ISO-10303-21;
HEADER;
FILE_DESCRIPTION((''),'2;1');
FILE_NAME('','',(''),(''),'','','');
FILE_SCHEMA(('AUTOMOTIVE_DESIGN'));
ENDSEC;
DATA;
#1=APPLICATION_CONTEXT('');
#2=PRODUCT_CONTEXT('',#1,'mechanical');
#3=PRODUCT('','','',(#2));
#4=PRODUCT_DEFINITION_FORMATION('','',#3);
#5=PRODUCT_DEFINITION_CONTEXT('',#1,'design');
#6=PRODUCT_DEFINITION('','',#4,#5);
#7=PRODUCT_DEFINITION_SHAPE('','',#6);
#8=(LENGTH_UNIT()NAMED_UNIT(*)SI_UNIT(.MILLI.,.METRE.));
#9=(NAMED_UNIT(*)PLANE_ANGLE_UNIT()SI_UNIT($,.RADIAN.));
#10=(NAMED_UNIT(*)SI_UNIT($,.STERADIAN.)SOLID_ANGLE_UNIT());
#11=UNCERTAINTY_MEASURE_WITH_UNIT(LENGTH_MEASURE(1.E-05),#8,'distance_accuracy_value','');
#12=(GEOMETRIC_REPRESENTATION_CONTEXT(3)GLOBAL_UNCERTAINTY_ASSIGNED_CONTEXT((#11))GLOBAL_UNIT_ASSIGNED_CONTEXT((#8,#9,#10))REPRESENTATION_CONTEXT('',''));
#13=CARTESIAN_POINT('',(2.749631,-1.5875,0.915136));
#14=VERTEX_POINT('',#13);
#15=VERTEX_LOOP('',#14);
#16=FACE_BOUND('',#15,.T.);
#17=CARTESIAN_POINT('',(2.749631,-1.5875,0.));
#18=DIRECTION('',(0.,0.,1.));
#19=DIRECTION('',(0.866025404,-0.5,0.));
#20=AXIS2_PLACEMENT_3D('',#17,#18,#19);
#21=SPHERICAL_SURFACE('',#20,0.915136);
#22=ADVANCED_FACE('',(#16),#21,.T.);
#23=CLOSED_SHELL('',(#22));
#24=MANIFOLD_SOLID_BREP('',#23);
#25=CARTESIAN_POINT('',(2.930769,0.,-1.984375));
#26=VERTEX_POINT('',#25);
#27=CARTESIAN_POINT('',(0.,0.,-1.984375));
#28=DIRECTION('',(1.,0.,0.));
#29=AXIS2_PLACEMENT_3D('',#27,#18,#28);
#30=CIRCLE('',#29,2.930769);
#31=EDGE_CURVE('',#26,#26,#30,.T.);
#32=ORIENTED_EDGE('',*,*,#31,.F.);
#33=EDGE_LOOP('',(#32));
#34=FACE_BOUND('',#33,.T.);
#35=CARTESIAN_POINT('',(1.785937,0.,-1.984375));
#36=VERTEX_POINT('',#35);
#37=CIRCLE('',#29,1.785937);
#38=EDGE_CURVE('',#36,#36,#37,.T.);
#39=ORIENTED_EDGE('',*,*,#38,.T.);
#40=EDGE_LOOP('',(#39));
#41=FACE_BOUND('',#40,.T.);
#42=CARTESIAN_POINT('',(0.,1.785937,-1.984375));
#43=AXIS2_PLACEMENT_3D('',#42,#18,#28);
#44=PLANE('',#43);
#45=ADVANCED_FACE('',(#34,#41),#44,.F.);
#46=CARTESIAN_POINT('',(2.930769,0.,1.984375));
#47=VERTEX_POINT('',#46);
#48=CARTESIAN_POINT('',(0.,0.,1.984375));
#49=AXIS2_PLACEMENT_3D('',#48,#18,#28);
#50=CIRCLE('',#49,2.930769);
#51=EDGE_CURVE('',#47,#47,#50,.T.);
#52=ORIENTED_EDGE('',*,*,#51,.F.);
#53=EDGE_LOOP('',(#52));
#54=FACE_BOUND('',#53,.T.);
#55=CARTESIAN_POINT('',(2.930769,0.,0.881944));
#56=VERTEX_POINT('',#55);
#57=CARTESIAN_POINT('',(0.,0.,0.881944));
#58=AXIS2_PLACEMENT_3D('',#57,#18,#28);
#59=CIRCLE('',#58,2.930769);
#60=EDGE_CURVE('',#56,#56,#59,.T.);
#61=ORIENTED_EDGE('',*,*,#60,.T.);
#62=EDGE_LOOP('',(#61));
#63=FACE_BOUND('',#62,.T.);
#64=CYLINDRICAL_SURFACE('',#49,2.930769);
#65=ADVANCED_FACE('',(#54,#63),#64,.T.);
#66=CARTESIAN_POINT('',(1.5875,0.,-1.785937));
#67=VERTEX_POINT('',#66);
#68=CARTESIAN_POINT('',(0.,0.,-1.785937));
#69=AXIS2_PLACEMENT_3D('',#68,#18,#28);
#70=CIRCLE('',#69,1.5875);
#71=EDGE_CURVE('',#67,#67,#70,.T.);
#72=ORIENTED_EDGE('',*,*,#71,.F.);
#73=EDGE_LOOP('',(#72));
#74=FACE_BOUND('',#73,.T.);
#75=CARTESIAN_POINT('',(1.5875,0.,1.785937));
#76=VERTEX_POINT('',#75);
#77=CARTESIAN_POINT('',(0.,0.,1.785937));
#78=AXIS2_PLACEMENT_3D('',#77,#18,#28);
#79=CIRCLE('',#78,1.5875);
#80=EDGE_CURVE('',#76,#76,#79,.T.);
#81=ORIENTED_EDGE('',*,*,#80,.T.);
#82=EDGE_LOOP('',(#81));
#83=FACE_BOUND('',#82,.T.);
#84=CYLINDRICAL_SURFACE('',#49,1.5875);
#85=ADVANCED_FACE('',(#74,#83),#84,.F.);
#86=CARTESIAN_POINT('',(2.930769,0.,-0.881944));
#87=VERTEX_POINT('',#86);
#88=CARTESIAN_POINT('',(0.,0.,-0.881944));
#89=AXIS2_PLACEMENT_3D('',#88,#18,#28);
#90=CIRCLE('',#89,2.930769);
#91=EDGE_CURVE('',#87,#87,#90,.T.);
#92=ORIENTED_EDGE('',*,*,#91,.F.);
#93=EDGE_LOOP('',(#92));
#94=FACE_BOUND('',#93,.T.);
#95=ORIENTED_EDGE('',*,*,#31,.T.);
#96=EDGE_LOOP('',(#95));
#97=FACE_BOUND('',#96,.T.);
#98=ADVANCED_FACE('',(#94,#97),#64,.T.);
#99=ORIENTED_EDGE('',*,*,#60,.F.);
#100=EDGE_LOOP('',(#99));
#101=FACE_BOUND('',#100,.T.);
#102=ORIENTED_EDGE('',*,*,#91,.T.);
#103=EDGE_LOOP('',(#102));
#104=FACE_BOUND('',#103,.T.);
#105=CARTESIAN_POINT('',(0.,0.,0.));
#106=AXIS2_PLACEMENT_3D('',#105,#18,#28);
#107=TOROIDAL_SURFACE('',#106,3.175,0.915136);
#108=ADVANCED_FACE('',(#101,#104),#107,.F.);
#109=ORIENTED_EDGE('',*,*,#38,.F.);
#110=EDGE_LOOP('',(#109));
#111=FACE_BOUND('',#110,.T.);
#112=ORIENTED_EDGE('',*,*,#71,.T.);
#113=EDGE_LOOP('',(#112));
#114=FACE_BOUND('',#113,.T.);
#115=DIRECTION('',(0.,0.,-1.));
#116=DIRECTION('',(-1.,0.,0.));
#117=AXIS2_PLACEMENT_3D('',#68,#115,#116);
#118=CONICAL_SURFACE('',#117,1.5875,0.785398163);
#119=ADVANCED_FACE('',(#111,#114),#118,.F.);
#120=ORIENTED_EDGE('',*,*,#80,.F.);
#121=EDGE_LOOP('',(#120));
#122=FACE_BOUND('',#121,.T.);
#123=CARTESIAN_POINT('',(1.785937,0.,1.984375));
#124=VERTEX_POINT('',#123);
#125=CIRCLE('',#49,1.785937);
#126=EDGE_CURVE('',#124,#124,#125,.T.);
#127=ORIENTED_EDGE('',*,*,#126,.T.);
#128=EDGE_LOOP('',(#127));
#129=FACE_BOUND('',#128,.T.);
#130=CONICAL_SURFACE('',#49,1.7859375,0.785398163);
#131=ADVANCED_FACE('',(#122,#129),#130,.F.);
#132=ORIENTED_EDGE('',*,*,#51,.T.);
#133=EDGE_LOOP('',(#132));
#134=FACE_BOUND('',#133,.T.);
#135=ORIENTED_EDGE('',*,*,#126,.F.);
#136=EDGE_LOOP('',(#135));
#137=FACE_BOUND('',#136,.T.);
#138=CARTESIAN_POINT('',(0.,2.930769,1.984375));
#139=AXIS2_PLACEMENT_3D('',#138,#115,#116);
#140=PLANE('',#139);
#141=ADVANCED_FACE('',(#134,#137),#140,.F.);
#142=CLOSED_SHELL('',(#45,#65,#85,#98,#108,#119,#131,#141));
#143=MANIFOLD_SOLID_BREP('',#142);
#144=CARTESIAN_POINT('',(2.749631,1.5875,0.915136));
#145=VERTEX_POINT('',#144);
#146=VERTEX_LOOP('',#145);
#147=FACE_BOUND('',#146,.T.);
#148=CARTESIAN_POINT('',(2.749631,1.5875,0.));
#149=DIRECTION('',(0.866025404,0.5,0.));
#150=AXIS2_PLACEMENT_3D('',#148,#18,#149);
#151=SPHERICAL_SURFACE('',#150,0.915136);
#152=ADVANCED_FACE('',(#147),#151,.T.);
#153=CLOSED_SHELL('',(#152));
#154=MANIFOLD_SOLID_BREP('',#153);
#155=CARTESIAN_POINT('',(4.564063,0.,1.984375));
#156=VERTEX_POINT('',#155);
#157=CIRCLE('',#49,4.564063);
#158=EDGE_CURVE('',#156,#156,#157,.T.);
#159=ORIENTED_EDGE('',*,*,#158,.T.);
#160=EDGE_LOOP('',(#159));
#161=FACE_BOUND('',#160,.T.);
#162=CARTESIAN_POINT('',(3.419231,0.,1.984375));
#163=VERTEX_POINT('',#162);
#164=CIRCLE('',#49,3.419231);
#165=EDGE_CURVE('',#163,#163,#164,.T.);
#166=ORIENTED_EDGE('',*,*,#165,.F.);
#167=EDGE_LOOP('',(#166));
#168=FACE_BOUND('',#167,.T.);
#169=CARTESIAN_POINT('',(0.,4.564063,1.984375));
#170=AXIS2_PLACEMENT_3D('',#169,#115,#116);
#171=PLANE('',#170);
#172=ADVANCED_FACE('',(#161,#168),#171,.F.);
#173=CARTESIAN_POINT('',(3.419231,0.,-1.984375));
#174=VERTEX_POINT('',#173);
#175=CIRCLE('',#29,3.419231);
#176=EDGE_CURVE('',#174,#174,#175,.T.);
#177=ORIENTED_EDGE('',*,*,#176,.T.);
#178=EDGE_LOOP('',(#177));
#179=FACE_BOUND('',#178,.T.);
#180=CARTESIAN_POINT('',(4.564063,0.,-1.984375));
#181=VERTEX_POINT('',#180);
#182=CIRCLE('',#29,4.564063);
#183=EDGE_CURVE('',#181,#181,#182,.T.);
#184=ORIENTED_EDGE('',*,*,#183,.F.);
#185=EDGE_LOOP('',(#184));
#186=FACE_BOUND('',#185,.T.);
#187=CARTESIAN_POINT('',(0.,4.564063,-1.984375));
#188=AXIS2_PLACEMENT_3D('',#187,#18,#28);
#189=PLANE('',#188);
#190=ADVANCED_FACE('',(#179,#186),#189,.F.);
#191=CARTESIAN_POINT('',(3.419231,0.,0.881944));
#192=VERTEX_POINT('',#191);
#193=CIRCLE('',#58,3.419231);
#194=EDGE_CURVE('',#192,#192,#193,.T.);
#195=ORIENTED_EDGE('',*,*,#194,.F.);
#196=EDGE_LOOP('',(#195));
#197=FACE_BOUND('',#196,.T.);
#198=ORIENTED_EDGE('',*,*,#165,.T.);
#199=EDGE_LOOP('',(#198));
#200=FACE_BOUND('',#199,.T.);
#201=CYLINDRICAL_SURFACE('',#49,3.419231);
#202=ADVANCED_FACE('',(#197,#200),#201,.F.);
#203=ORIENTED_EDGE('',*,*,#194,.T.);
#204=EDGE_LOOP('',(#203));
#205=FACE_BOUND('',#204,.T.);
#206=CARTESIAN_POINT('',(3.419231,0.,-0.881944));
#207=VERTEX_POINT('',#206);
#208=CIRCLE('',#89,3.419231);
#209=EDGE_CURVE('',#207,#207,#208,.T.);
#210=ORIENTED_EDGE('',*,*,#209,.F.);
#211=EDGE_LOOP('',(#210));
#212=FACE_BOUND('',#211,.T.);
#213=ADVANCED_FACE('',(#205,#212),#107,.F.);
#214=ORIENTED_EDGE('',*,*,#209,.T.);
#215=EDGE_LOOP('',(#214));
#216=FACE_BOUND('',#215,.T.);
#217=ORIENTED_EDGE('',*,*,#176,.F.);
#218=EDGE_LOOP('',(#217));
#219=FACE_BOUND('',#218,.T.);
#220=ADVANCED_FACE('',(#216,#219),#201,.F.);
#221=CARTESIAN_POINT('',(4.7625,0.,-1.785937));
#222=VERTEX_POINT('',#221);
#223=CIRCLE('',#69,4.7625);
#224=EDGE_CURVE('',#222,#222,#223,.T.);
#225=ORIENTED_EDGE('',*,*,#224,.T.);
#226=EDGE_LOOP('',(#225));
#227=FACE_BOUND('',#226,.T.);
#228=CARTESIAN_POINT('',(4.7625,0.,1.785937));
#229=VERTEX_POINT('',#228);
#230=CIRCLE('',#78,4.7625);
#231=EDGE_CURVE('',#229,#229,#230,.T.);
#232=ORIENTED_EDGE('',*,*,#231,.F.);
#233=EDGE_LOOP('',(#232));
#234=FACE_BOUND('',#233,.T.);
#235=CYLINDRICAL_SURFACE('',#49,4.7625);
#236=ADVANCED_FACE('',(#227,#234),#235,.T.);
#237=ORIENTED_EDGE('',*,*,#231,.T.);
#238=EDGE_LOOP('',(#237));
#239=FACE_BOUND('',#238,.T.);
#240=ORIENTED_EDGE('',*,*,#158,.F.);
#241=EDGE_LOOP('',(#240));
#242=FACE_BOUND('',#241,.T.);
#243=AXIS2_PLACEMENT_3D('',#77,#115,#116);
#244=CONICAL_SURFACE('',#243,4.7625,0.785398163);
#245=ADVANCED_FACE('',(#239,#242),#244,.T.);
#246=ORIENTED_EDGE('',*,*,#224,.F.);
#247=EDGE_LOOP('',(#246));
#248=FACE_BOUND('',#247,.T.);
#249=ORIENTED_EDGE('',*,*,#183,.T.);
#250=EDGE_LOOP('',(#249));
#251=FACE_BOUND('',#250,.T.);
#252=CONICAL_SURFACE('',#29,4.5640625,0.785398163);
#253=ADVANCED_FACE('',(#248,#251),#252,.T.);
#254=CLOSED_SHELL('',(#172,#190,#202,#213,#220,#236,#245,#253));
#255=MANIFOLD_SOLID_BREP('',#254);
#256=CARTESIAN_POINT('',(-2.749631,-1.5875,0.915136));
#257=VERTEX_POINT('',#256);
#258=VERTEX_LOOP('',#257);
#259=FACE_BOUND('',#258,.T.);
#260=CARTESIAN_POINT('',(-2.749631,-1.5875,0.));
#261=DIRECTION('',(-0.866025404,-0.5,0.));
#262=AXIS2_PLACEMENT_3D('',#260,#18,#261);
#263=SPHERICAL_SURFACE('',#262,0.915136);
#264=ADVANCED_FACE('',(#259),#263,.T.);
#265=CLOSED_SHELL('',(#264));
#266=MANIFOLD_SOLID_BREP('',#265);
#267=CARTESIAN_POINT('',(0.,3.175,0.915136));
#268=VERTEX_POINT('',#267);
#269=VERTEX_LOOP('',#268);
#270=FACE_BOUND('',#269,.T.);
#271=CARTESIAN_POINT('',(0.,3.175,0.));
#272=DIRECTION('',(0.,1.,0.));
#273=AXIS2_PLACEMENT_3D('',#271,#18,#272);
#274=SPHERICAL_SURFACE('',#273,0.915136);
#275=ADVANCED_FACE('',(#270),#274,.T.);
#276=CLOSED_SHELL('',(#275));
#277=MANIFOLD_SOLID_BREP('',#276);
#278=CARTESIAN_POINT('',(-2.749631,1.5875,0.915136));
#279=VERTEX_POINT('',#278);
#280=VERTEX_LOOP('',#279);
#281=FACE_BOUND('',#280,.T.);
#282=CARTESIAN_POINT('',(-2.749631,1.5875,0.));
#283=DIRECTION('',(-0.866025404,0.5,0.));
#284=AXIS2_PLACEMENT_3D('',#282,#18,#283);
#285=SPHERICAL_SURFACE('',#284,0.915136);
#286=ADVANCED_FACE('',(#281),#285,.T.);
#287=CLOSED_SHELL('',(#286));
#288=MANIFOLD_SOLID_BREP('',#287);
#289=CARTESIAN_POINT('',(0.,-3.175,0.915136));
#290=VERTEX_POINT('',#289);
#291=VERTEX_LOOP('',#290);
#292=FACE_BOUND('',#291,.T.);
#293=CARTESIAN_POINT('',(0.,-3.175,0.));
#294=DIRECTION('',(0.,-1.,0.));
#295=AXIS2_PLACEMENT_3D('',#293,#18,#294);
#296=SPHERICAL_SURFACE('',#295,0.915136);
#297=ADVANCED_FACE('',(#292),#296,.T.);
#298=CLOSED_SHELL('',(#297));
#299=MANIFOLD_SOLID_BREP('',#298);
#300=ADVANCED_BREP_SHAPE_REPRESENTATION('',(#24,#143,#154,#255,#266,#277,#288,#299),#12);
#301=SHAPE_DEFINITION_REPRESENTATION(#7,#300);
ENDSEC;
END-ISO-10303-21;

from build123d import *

# Parameters (mm, degrees)
CIRPATTERN1_COUNT = 6


with BuildPart() as part:
    # Sketch1 → Revolve1 (revolve)
    with BuildSketch(Plane(origin=(0, 0, 0), x_dir=(0, 0, -1), z_dir=(1, 0, 0))):
        with BuildLine():
            Line((1.7859375, 4.7625), (-1.7859375, 4.7625))
            Line((-1.7859375, 4.7625), (-1.984375, 4.5640625))
            Line((-1.984375, 4.5640625), (-1.984375, 3.419230769))
            Line((-1.984375, 3.419230769), (-0.881944444, 3.419230769))
            ThreePointArc((-0.881944444, 3.419230769), (0, 4.090136422), (0.881944444, 3.419230769))
            Line((0.881944444, 3.419230769), (1.984375, 3.419230769))
            Line((1.984375, 3.419230769), (1.984375, 4.5640625))
            Line((1.984375, 4.5640625), (1.7859375, 4.7625))
        make_face()
    revolve(axis=Axis((0, 0, 1.984375), (0, 0, -1)))


with BuildPart() as body_2:
    # Sketch3 → Revolve3 (revolve)
    with BuildSketch(Plane(origin=(0, 0, 0), x_dir=(0, 0, -1), z_dir=(1, 0, 0))):
        with BuildLine():
            Line((-1.984375, 2.930769231), (-0.881944444, 2.930769231))
            ThreePointArc((-0.881944444, 2.930769231), (0, 2.259863578), (0.881944444, 2.930769231))
            Line((0.881944444, 2.930769231), (1.984375, 2.930769231))
            Line((1.984375, 2.930769231), (1.984375, 1.7859375))
            Line((1.984375, 1.7859375), (1.7859375, 1.5875))
            Line((1.7859375, 1.5875), (-1.7859375, 1.5875))
            Line((-1.7859375, 1.5875), (-1.984375, 1.7859375))
            Line((-1.984375, 1.7859375), (-1.984375, 2.930769231))
        make_face()
    revolve(axis=Axis((0, 0, 1.984375), (0, 0, -1)))


with BuildPart() as body_3:
    # Sketch4 → Revolve4 (revolve)
    with BuildSketch(Plane(origin=(0, 0, 0), x_dir=(0, 0, -1), z_dir=(1, 0, 0))):
        with BuildLine():
            Line((-0.915136422, 3.175), (0.915136422, 3.175))
            ThreePointArc((0.915136422, 3.175), (0, 4.090136422), (-0.915136422, 3.175))
        make_face()
    revolve(axis=Axis((0, 3.175, 0.915136422), (0, 0, -1)))


with BuildPart() as cirpattern1_1:
    # CirPattern1: pattern copy
    add(body_3.part.rotate(Axis((0, 0, 0), (0, 0, 1)), 1 * 360 / CIRPATTERN1_COUNT))


with BuildPart() as cirpattern1_2:
    # CirPattern1: pattern copy
    add(body_3.part.rotate(Axis((0, 0, 0), (0, 0, 1)), 2 * 360 / CIRPATTERN1_COUNT))


with BuildPart() as cirpattern1_3:
    # CirPattern1: pattern copy
    add(body_3.part.rotate(Axis((0, 0, 0), (0, 0, 1)), 3 * 360 / CIRPATTERN1_COUNT))


with BuildPart() as cirpattern1_4:
    # CirPattern1: pattern copy
    add(body_3.part.rotate(Axis((0, 0, 0), (0, 0, 1)), 4 * 360 / CIRPATTERN1_COUNT))


with BuildPart() as cirpattern1_5:
    # CirPattern1: pattern copy
    add(body_3.part.rotate(Axis((0, 0, 0), (0, 0, 1)), 5 * 360 / CIRPATTERN1_COUNT))


solid = Compound([part.part, body_2.part, body_3.part, cirpattern1_1.part, cirpattern1_2.part, cirpattern1_3.part, cirpattern1_4.part, cirpattern1_5.part])
